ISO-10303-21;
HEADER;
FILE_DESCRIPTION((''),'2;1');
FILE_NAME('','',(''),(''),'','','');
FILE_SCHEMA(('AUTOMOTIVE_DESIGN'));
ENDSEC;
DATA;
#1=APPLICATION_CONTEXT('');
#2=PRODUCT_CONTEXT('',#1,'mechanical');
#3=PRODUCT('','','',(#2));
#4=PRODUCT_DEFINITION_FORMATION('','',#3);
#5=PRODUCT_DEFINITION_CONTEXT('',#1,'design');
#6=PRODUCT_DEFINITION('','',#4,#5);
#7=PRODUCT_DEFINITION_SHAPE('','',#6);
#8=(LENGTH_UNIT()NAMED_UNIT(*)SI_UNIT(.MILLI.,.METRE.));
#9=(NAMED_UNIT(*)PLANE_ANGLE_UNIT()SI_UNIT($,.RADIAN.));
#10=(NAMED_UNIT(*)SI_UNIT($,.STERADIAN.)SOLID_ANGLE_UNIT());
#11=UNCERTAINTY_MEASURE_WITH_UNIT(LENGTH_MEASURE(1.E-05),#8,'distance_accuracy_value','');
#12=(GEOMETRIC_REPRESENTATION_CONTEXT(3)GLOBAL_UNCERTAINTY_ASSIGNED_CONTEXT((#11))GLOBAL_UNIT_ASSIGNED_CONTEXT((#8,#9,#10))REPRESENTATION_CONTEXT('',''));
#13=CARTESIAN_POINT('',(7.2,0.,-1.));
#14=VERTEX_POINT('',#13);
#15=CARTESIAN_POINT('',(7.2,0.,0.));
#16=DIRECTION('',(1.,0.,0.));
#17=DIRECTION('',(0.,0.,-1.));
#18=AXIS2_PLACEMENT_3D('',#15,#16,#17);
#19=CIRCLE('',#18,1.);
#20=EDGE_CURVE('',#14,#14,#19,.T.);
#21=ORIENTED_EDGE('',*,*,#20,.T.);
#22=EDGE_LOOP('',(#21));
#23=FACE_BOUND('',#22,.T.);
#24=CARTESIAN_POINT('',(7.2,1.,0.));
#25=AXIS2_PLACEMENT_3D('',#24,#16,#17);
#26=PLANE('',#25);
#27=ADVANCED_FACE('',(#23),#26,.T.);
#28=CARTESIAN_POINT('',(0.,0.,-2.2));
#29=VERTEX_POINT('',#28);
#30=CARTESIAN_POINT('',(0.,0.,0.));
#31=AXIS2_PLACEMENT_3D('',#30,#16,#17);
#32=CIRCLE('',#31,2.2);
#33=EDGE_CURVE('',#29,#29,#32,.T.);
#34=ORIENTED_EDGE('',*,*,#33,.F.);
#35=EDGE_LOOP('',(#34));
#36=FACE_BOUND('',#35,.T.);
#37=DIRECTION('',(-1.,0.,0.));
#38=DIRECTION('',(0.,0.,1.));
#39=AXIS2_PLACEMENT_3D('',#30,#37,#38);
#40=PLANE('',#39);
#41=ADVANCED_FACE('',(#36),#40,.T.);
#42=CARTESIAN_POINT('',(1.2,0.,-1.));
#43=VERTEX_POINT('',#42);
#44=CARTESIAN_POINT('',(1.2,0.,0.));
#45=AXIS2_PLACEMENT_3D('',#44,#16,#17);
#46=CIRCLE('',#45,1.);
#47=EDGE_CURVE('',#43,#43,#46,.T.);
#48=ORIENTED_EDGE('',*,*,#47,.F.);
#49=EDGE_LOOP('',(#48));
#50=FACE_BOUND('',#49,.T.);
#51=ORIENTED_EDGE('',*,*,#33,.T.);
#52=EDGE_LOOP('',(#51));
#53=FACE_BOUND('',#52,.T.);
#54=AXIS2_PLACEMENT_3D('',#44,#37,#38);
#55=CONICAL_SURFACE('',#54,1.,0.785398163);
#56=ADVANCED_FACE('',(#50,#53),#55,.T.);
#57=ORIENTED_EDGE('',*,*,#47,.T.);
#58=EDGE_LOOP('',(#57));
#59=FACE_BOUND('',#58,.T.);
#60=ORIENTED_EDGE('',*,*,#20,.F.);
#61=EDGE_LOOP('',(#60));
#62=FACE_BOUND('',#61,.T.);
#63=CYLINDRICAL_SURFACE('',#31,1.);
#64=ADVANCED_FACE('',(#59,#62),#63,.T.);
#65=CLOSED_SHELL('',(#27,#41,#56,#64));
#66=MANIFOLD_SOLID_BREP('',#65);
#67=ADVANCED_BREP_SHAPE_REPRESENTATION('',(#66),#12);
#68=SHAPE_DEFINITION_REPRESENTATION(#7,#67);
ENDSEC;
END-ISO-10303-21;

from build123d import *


with BuildPart() as part:
    # Эскиз1 → Повернуть1 (revolve)
    with BuildSketch(Plane.XY, mode=Mode.PRIVATE) as revolve_1_sk:
        Polygon((0, 0), (0, 2.2), (1.2, 1), (7.2, 1), (7.2, 0), align=None)
    revolve(revolve_1_sk.sketch.rotate(Axis((0, 0, 0), (-1, 0, 0)), 90), axis=Axis((0, 0, 0), (-1, 0, 0)))


solid = part.part
